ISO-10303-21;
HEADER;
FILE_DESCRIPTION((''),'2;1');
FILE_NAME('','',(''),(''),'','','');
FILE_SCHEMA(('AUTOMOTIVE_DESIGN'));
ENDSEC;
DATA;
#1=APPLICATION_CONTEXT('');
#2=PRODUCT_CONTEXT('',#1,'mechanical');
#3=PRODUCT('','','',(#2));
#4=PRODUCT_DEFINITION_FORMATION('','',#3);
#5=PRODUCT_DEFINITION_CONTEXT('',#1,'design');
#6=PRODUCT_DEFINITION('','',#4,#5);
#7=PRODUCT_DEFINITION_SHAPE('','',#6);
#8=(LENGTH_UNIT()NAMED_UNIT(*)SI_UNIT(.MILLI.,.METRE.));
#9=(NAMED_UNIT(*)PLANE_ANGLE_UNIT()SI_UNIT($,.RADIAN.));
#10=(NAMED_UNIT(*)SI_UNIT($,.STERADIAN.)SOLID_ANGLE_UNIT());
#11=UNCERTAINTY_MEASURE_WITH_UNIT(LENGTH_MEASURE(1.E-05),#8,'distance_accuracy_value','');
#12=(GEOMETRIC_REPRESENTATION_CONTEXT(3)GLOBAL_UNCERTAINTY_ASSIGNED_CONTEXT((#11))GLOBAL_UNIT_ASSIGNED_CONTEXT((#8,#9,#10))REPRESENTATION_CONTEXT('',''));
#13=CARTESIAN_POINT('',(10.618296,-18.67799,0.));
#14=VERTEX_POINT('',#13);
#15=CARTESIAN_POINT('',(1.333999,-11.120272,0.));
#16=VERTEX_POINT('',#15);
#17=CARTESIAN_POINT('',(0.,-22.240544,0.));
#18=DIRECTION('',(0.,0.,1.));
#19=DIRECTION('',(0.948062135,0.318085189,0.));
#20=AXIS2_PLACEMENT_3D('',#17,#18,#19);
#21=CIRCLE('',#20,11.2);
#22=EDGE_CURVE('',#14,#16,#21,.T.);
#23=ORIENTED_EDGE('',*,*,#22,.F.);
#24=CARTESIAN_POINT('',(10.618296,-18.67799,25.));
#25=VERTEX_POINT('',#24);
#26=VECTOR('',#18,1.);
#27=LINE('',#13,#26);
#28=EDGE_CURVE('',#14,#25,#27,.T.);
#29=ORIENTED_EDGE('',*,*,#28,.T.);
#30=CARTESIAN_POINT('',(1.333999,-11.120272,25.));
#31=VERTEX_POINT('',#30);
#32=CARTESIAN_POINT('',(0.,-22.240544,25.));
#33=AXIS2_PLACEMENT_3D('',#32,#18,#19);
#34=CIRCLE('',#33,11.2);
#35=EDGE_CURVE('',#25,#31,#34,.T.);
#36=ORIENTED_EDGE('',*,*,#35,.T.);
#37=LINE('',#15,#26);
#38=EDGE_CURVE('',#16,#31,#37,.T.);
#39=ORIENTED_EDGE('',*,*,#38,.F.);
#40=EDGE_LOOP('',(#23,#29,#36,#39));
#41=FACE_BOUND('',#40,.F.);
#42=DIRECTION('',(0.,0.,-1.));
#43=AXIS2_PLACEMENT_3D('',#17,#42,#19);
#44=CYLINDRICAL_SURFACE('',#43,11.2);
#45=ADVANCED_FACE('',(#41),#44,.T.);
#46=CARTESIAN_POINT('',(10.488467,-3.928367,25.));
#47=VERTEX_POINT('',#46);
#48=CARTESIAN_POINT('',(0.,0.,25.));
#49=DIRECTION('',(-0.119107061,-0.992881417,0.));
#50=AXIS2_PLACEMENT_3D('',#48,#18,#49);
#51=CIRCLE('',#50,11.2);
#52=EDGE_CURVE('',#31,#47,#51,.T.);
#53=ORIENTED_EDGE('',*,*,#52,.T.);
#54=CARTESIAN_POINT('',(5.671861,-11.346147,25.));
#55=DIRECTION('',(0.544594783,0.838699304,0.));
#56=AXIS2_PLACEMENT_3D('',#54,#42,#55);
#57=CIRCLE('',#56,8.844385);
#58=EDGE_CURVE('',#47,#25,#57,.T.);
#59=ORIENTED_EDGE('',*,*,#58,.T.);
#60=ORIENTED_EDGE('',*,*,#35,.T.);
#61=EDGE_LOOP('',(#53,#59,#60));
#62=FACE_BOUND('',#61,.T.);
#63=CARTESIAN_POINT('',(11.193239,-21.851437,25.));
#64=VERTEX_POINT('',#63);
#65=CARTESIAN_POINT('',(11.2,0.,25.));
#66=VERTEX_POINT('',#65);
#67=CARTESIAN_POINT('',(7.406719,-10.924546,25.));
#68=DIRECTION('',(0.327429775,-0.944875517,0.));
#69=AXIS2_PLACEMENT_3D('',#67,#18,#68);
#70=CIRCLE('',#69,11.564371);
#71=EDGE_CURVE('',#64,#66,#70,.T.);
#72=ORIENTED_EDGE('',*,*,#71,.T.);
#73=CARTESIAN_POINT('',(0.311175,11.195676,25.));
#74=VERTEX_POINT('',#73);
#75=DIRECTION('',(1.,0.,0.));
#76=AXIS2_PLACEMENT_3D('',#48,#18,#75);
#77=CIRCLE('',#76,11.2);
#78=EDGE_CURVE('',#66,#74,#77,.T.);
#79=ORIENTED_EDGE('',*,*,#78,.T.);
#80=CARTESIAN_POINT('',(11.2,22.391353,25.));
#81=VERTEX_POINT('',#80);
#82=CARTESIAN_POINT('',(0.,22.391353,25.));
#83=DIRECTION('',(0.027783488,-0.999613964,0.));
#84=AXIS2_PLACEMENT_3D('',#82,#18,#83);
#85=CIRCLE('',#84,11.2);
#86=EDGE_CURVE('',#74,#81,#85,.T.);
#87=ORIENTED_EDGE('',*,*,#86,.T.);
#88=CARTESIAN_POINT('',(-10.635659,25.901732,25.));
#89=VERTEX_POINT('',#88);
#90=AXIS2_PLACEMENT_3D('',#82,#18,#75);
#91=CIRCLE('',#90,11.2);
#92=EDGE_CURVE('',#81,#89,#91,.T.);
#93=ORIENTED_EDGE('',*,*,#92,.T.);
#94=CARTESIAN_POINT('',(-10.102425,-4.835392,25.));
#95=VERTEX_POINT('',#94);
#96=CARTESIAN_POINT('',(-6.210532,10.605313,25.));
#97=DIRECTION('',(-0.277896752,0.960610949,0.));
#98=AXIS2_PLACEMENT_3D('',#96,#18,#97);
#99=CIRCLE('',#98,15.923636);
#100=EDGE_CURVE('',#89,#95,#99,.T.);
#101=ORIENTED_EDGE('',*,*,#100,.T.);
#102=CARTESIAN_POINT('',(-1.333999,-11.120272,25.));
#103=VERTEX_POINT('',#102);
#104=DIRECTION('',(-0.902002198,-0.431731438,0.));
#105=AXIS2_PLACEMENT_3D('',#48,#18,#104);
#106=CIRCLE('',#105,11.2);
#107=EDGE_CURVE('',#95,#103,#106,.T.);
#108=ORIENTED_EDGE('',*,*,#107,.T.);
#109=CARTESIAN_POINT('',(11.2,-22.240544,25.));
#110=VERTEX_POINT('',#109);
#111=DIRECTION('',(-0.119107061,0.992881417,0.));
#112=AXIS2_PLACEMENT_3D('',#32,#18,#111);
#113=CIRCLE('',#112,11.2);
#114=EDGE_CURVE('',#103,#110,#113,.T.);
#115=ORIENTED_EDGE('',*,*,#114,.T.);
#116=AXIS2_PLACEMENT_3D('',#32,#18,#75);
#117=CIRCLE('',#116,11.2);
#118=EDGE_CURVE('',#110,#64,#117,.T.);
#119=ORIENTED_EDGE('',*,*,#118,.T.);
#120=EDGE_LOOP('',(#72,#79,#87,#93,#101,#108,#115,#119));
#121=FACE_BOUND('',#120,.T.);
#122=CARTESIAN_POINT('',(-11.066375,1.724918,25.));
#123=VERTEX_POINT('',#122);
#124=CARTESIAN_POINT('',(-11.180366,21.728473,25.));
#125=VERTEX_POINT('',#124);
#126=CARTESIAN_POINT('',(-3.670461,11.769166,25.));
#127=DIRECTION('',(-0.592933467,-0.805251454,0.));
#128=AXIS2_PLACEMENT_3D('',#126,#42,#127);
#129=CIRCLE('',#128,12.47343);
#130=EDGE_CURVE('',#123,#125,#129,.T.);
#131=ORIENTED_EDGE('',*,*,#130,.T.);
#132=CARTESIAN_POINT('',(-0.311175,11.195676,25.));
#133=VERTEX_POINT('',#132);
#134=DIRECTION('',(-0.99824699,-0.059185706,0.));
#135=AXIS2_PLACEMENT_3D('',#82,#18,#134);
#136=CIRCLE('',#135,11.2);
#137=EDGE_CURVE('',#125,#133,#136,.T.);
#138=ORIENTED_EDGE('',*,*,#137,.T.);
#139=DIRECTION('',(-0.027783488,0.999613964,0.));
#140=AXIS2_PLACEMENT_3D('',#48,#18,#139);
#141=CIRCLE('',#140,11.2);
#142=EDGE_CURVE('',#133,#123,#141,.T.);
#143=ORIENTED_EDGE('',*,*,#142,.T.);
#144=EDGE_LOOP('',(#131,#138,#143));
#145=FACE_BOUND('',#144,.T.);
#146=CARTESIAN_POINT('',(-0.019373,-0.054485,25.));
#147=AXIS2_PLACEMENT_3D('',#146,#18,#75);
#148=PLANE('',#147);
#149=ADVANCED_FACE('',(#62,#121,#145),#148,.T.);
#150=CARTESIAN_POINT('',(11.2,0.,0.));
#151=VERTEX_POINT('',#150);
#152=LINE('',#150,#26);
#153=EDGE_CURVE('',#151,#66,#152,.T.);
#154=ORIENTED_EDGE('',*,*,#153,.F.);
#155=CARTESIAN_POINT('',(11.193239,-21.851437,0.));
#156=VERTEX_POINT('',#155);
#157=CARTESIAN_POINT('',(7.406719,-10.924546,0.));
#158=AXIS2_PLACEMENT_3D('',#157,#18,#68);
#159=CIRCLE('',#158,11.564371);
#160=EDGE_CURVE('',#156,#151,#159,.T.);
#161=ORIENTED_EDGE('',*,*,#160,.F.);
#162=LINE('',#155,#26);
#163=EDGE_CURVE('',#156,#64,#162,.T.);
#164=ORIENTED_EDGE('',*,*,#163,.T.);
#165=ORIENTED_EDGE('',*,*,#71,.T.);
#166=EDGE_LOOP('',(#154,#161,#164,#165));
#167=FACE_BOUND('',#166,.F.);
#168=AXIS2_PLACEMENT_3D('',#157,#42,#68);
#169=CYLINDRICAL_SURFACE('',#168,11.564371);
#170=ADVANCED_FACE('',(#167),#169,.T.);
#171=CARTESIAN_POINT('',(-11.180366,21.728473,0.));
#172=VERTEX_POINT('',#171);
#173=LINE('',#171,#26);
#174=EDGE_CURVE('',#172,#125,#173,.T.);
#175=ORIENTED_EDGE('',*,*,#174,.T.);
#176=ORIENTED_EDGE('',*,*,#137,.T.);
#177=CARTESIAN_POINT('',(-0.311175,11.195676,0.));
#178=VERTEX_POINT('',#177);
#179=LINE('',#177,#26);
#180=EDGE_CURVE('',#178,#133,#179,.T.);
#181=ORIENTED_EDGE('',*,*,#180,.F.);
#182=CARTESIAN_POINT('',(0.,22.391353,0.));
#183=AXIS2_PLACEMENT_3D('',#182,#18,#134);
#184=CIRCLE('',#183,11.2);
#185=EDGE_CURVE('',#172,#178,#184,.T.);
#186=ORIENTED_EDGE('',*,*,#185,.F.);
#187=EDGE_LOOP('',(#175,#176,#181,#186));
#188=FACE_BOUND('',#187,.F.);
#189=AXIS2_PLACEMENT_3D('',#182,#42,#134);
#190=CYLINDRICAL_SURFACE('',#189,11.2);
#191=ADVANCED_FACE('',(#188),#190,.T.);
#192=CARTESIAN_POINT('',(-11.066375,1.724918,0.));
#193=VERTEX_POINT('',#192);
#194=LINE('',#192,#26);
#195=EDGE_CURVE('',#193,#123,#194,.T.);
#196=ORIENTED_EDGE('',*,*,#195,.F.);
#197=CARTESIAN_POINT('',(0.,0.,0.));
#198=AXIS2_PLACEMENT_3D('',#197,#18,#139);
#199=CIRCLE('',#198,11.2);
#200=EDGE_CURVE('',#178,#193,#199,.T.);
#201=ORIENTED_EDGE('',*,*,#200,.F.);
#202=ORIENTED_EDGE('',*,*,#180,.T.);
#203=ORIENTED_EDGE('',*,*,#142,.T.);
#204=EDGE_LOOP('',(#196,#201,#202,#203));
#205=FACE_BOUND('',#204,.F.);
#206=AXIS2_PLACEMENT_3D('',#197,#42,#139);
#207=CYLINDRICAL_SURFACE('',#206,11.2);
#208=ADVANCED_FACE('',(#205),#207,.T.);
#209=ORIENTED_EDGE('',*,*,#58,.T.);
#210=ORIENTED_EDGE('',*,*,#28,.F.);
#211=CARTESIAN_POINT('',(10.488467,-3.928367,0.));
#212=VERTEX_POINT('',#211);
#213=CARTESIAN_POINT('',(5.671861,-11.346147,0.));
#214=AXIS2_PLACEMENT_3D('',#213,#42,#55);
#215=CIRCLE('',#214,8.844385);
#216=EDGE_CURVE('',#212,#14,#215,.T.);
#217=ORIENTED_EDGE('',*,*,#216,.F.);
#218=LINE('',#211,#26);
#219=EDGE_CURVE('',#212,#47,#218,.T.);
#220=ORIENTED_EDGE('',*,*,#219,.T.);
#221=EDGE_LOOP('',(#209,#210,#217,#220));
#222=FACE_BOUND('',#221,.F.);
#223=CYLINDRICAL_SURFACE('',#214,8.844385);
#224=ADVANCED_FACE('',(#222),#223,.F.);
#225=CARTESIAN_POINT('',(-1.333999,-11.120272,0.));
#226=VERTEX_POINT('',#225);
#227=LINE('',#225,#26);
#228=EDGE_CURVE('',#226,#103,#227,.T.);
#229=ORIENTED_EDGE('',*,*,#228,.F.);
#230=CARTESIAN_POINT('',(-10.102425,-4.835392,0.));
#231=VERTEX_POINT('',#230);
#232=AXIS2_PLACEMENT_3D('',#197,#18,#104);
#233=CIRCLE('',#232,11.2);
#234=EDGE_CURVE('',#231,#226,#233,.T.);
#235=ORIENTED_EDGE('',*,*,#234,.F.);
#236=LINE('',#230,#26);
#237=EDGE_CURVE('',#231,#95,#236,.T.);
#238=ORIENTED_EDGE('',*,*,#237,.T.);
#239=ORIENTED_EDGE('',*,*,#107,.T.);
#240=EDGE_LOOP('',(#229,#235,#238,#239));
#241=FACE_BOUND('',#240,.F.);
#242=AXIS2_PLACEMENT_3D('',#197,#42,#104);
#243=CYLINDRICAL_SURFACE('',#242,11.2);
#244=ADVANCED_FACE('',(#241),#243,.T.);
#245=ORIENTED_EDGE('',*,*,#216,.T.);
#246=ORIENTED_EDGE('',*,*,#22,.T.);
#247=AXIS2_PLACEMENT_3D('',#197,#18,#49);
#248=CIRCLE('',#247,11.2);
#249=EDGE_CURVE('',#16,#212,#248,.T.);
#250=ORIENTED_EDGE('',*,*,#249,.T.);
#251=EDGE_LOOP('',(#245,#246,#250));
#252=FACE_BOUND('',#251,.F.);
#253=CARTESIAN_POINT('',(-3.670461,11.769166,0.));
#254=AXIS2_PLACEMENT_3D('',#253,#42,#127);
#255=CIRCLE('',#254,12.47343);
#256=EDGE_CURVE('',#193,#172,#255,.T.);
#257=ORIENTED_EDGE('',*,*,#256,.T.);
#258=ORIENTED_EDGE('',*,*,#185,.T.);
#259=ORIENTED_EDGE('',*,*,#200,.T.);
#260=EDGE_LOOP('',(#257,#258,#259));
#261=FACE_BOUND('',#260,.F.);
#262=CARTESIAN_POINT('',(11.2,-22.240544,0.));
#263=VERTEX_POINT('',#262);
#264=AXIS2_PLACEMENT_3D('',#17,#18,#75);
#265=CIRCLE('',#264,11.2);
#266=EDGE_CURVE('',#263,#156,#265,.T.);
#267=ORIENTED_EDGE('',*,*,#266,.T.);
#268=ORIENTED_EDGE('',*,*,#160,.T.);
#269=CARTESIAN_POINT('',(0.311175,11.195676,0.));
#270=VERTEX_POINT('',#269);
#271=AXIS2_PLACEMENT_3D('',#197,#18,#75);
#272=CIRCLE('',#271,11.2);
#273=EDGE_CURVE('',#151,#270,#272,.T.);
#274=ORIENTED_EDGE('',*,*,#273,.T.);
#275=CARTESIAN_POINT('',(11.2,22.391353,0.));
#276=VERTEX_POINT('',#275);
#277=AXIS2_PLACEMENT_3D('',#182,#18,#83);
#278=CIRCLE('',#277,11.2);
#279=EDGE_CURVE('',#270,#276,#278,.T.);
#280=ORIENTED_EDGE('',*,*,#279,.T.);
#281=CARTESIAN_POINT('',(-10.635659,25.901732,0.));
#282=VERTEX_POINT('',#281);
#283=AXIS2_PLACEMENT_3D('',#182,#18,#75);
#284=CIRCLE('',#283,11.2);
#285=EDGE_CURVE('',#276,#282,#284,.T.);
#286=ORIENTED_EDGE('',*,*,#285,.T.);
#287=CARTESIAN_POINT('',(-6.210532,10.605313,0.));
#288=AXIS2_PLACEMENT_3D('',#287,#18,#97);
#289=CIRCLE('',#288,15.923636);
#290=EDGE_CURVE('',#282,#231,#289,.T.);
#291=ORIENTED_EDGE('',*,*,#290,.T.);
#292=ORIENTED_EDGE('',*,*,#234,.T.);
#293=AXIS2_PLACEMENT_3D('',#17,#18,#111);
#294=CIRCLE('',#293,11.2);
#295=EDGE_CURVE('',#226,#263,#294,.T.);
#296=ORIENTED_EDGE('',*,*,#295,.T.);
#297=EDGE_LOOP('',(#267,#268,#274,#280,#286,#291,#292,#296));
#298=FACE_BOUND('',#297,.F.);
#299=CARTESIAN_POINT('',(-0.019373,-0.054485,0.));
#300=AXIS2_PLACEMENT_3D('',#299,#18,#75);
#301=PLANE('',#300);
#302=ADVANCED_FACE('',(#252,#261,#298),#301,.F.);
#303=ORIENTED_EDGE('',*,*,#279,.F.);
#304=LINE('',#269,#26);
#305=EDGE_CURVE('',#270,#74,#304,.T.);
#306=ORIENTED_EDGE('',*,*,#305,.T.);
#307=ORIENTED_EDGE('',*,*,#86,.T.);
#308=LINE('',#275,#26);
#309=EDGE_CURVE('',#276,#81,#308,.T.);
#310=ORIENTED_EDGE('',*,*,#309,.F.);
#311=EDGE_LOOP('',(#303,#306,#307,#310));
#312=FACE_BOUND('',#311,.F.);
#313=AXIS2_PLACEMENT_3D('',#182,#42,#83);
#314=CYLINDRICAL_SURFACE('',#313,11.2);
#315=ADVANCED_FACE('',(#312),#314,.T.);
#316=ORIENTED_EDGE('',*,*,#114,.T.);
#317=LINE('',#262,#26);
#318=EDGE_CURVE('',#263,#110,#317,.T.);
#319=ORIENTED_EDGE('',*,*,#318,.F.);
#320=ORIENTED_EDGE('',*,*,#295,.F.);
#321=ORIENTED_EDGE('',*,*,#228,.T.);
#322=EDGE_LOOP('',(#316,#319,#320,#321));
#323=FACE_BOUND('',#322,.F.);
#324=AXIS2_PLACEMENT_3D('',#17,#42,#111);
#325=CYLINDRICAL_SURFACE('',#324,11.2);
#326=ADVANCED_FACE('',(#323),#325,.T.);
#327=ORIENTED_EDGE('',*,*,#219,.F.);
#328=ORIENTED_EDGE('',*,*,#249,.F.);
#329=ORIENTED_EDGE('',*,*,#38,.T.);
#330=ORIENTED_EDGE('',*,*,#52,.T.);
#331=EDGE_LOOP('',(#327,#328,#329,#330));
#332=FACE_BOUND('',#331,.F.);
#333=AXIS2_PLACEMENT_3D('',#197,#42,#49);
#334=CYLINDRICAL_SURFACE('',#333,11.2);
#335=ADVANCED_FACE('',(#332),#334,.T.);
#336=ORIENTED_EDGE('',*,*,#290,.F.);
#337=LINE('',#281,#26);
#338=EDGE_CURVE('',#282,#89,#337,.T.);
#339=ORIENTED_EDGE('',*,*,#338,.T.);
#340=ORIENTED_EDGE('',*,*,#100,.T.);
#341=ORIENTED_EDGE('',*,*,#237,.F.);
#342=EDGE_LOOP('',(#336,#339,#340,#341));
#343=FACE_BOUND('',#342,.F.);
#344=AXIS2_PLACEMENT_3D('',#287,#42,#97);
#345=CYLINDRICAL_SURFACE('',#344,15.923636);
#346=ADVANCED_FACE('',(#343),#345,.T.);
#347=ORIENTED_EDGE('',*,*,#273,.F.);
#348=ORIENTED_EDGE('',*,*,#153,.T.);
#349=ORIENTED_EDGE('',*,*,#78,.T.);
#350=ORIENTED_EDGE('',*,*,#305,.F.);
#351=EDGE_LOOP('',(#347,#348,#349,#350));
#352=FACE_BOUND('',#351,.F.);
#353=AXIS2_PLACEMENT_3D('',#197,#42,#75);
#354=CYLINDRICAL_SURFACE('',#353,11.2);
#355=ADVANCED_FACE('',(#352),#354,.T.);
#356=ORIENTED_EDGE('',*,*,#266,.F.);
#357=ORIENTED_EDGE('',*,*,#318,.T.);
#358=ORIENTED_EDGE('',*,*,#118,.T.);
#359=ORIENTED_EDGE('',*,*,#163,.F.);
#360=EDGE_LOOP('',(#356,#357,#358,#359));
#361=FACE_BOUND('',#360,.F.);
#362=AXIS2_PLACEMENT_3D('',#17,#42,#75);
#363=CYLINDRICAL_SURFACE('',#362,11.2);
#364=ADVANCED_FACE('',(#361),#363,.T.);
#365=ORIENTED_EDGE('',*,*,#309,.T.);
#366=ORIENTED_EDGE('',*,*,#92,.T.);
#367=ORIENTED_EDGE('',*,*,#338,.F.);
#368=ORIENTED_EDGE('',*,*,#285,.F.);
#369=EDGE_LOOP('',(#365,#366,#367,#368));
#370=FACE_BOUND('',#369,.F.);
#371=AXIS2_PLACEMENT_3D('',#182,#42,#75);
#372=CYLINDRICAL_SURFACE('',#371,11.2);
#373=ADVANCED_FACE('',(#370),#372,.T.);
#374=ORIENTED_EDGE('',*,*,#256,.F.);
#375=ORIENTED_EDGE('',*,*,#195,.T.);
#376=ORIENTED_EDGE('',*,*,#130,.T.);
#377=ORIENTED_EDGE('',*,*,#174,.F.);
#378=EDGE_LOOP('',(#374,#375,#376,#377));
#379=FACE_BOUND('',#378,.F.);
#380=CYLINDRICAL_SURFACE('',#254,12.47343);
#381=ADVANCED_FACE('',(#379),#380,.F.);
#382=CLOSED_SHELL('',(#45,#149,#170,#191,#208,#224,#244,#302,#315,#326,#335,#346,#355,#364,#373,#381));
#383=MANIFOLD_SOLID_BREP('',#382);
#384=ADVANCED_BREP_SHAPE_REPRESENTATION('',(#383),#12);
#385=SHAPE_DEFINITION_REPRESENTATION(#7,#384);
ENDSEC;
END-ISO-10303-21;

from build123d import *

# Parameters (mm, degrees)
F1_DEPTH = 25


with BuildPart() as f1:
    # F0 (on Top) → F1 (new body)
    with BuildSketch(Plane.XY):
        with BuildLine():
            ThreePointArc((-0.3111750606, 11.1956764013), (-7.4017548814, 8.4055948436), (-11.0663750249, 1.7249184932))
            ThreePointArc((-11.0663750249, 1.7249184932), (-11.0810170285, -1.6282080989), (-10.1024246207, -4.8353921022))
            ThreePointArc((-10.1024246207, -4.8353921022), (-6.5247892852, -9.1031381833), (-1.3339990852, -11.120271869))
            ThreePointArc((-1.3339990852, -11.120271869), (0, -11.040543738), (1.3339990852, -11.120271869))
            ThreePointArc((1.3339990852, -11.120271869), (6.9190712637, -8.8071818902), (10.4884666015, -3.9283671354))
            ThreePointArc((10.4884666015, -3.9283671354), (11.0206811481, -1.9961430389), (11.2, 0))
            ThreePointArc((11.2, 0), (8.0288592178, 7.808803984), (0.3111750606, 11.1956764013))
            ThreePointArc((0.3111750606, 11.1956764013), (0, 11.1913528025), (-0.3111750606, 11.1956764013))
        make_face()
        with BuildLine():
            ThreePointArc((-10.1024246207, -4.8353921022), (-11.0810170285, -1.6282080989), (-11.0663750249, 1.7249184932))
            ThreePointArc((-11.0663750249, 1.7249184932), (-16.1436885781, 11.6980871603), (-11.1803662832, 21.7284728944))
            ThreePointArc((-11.1803662832, 21.7284728944), (-11.10579848, 23.8409182968), (-10.6356586789, 25.9017323357))
            ThreePointArc((-10.6356586789, 25.9017323357), (-22.131772625, 10.3291078016), (-10.1024246207, -4.8353921022))
        make_face()
        with BuildLine():
            ThreePointArc((-11.1803662832, 21.7284728944), (-7.7941536491, 14.3482707506), (-0.3111750606, 11.1956764013))
            ThreePointArc((-0.3111750606, 11.1956764013), (0, 11.2), (0.3111750606, 11.1956764013))
            ThreePointArc((0.3111750606, 11.1956764013), (8.0288592178, 14.5825488185), (11.2, 22.3913528025))
            ThreePointArc((11.2, 22.3913528025), (1.777726469, 33.4493674797), (-10.6356586789, 25.9017323357))
            ThreePointArc((-10.6356586789, 25.9017323357), (-11.10579848, 23.8409182968), (-11.1803662832, 21.7284728944))
        make_face()
        with BuildLine():
            ThreePointArc((0.3111750606, 11.1956764013), (0, 11.2), (-0.3111750606, 11.1956764013))
            ThreePointArc((-0.3111750606, 11.1956764013), (0, 11.1913528025), (0.3111750606, 11.1956764013))
        make_face()
        with BuildLine():
            ThreePointArc((1.3339990852, -11.120271869), (0, -11.040543738), (-1.3339990852, -11.120271869))
            ThreePointArc((-1.3339990852, -11.120271869), (0, -11.2), (1.3339990852, -11.120271869))
        make_face()
        with BuildLine():
            ThreePointArc((1.3339990852, -11.120271869), (0, -11.2), (-1.3339990852, -11.120271869))
            ThreePointArc((-1.3339990852, -11.120271869), (-7.4330078113, -30.6185145471), (11.2, -22.240543738))
            ThreePointArc((11.2, -22.240543738), (11.1983095854, -22.0459610337), (11.193238852, -21.851437066))
            ThreePointArc((11.193238852, -21.851437066), (11.0205922894, -20.2439101733), (10.6182959163, -18.6779896214))
            ThreePointArc((10.6182959163, -18.6779896214), (7.0706515511, -13.5545845715), (1.3339990852, -11.120271869))
        make_face()
        with BuildLine():
            ThreePointArc((11.193238852, -21.851437066), (18.9710900132, -10.9281240657), (11.2, 0))
            ThreePointArc((11.2, 0), (11.0206811481, -1.9961430389), (10.4884666015, -3.9283671354))
            ThreePointArc((10.4884666015, -3.9283671354), (14.5159030008, -11.2682994191), (10.6182959163, -18.6779896214))
            ThreePointArc((10.6182959163, -18.6779896214), (11.0205922894, -20.2439101733), (11.193238852, -21.851437066))
        make_face()
    extrude(amount=F1_DEPTH)


solid = f1.part
